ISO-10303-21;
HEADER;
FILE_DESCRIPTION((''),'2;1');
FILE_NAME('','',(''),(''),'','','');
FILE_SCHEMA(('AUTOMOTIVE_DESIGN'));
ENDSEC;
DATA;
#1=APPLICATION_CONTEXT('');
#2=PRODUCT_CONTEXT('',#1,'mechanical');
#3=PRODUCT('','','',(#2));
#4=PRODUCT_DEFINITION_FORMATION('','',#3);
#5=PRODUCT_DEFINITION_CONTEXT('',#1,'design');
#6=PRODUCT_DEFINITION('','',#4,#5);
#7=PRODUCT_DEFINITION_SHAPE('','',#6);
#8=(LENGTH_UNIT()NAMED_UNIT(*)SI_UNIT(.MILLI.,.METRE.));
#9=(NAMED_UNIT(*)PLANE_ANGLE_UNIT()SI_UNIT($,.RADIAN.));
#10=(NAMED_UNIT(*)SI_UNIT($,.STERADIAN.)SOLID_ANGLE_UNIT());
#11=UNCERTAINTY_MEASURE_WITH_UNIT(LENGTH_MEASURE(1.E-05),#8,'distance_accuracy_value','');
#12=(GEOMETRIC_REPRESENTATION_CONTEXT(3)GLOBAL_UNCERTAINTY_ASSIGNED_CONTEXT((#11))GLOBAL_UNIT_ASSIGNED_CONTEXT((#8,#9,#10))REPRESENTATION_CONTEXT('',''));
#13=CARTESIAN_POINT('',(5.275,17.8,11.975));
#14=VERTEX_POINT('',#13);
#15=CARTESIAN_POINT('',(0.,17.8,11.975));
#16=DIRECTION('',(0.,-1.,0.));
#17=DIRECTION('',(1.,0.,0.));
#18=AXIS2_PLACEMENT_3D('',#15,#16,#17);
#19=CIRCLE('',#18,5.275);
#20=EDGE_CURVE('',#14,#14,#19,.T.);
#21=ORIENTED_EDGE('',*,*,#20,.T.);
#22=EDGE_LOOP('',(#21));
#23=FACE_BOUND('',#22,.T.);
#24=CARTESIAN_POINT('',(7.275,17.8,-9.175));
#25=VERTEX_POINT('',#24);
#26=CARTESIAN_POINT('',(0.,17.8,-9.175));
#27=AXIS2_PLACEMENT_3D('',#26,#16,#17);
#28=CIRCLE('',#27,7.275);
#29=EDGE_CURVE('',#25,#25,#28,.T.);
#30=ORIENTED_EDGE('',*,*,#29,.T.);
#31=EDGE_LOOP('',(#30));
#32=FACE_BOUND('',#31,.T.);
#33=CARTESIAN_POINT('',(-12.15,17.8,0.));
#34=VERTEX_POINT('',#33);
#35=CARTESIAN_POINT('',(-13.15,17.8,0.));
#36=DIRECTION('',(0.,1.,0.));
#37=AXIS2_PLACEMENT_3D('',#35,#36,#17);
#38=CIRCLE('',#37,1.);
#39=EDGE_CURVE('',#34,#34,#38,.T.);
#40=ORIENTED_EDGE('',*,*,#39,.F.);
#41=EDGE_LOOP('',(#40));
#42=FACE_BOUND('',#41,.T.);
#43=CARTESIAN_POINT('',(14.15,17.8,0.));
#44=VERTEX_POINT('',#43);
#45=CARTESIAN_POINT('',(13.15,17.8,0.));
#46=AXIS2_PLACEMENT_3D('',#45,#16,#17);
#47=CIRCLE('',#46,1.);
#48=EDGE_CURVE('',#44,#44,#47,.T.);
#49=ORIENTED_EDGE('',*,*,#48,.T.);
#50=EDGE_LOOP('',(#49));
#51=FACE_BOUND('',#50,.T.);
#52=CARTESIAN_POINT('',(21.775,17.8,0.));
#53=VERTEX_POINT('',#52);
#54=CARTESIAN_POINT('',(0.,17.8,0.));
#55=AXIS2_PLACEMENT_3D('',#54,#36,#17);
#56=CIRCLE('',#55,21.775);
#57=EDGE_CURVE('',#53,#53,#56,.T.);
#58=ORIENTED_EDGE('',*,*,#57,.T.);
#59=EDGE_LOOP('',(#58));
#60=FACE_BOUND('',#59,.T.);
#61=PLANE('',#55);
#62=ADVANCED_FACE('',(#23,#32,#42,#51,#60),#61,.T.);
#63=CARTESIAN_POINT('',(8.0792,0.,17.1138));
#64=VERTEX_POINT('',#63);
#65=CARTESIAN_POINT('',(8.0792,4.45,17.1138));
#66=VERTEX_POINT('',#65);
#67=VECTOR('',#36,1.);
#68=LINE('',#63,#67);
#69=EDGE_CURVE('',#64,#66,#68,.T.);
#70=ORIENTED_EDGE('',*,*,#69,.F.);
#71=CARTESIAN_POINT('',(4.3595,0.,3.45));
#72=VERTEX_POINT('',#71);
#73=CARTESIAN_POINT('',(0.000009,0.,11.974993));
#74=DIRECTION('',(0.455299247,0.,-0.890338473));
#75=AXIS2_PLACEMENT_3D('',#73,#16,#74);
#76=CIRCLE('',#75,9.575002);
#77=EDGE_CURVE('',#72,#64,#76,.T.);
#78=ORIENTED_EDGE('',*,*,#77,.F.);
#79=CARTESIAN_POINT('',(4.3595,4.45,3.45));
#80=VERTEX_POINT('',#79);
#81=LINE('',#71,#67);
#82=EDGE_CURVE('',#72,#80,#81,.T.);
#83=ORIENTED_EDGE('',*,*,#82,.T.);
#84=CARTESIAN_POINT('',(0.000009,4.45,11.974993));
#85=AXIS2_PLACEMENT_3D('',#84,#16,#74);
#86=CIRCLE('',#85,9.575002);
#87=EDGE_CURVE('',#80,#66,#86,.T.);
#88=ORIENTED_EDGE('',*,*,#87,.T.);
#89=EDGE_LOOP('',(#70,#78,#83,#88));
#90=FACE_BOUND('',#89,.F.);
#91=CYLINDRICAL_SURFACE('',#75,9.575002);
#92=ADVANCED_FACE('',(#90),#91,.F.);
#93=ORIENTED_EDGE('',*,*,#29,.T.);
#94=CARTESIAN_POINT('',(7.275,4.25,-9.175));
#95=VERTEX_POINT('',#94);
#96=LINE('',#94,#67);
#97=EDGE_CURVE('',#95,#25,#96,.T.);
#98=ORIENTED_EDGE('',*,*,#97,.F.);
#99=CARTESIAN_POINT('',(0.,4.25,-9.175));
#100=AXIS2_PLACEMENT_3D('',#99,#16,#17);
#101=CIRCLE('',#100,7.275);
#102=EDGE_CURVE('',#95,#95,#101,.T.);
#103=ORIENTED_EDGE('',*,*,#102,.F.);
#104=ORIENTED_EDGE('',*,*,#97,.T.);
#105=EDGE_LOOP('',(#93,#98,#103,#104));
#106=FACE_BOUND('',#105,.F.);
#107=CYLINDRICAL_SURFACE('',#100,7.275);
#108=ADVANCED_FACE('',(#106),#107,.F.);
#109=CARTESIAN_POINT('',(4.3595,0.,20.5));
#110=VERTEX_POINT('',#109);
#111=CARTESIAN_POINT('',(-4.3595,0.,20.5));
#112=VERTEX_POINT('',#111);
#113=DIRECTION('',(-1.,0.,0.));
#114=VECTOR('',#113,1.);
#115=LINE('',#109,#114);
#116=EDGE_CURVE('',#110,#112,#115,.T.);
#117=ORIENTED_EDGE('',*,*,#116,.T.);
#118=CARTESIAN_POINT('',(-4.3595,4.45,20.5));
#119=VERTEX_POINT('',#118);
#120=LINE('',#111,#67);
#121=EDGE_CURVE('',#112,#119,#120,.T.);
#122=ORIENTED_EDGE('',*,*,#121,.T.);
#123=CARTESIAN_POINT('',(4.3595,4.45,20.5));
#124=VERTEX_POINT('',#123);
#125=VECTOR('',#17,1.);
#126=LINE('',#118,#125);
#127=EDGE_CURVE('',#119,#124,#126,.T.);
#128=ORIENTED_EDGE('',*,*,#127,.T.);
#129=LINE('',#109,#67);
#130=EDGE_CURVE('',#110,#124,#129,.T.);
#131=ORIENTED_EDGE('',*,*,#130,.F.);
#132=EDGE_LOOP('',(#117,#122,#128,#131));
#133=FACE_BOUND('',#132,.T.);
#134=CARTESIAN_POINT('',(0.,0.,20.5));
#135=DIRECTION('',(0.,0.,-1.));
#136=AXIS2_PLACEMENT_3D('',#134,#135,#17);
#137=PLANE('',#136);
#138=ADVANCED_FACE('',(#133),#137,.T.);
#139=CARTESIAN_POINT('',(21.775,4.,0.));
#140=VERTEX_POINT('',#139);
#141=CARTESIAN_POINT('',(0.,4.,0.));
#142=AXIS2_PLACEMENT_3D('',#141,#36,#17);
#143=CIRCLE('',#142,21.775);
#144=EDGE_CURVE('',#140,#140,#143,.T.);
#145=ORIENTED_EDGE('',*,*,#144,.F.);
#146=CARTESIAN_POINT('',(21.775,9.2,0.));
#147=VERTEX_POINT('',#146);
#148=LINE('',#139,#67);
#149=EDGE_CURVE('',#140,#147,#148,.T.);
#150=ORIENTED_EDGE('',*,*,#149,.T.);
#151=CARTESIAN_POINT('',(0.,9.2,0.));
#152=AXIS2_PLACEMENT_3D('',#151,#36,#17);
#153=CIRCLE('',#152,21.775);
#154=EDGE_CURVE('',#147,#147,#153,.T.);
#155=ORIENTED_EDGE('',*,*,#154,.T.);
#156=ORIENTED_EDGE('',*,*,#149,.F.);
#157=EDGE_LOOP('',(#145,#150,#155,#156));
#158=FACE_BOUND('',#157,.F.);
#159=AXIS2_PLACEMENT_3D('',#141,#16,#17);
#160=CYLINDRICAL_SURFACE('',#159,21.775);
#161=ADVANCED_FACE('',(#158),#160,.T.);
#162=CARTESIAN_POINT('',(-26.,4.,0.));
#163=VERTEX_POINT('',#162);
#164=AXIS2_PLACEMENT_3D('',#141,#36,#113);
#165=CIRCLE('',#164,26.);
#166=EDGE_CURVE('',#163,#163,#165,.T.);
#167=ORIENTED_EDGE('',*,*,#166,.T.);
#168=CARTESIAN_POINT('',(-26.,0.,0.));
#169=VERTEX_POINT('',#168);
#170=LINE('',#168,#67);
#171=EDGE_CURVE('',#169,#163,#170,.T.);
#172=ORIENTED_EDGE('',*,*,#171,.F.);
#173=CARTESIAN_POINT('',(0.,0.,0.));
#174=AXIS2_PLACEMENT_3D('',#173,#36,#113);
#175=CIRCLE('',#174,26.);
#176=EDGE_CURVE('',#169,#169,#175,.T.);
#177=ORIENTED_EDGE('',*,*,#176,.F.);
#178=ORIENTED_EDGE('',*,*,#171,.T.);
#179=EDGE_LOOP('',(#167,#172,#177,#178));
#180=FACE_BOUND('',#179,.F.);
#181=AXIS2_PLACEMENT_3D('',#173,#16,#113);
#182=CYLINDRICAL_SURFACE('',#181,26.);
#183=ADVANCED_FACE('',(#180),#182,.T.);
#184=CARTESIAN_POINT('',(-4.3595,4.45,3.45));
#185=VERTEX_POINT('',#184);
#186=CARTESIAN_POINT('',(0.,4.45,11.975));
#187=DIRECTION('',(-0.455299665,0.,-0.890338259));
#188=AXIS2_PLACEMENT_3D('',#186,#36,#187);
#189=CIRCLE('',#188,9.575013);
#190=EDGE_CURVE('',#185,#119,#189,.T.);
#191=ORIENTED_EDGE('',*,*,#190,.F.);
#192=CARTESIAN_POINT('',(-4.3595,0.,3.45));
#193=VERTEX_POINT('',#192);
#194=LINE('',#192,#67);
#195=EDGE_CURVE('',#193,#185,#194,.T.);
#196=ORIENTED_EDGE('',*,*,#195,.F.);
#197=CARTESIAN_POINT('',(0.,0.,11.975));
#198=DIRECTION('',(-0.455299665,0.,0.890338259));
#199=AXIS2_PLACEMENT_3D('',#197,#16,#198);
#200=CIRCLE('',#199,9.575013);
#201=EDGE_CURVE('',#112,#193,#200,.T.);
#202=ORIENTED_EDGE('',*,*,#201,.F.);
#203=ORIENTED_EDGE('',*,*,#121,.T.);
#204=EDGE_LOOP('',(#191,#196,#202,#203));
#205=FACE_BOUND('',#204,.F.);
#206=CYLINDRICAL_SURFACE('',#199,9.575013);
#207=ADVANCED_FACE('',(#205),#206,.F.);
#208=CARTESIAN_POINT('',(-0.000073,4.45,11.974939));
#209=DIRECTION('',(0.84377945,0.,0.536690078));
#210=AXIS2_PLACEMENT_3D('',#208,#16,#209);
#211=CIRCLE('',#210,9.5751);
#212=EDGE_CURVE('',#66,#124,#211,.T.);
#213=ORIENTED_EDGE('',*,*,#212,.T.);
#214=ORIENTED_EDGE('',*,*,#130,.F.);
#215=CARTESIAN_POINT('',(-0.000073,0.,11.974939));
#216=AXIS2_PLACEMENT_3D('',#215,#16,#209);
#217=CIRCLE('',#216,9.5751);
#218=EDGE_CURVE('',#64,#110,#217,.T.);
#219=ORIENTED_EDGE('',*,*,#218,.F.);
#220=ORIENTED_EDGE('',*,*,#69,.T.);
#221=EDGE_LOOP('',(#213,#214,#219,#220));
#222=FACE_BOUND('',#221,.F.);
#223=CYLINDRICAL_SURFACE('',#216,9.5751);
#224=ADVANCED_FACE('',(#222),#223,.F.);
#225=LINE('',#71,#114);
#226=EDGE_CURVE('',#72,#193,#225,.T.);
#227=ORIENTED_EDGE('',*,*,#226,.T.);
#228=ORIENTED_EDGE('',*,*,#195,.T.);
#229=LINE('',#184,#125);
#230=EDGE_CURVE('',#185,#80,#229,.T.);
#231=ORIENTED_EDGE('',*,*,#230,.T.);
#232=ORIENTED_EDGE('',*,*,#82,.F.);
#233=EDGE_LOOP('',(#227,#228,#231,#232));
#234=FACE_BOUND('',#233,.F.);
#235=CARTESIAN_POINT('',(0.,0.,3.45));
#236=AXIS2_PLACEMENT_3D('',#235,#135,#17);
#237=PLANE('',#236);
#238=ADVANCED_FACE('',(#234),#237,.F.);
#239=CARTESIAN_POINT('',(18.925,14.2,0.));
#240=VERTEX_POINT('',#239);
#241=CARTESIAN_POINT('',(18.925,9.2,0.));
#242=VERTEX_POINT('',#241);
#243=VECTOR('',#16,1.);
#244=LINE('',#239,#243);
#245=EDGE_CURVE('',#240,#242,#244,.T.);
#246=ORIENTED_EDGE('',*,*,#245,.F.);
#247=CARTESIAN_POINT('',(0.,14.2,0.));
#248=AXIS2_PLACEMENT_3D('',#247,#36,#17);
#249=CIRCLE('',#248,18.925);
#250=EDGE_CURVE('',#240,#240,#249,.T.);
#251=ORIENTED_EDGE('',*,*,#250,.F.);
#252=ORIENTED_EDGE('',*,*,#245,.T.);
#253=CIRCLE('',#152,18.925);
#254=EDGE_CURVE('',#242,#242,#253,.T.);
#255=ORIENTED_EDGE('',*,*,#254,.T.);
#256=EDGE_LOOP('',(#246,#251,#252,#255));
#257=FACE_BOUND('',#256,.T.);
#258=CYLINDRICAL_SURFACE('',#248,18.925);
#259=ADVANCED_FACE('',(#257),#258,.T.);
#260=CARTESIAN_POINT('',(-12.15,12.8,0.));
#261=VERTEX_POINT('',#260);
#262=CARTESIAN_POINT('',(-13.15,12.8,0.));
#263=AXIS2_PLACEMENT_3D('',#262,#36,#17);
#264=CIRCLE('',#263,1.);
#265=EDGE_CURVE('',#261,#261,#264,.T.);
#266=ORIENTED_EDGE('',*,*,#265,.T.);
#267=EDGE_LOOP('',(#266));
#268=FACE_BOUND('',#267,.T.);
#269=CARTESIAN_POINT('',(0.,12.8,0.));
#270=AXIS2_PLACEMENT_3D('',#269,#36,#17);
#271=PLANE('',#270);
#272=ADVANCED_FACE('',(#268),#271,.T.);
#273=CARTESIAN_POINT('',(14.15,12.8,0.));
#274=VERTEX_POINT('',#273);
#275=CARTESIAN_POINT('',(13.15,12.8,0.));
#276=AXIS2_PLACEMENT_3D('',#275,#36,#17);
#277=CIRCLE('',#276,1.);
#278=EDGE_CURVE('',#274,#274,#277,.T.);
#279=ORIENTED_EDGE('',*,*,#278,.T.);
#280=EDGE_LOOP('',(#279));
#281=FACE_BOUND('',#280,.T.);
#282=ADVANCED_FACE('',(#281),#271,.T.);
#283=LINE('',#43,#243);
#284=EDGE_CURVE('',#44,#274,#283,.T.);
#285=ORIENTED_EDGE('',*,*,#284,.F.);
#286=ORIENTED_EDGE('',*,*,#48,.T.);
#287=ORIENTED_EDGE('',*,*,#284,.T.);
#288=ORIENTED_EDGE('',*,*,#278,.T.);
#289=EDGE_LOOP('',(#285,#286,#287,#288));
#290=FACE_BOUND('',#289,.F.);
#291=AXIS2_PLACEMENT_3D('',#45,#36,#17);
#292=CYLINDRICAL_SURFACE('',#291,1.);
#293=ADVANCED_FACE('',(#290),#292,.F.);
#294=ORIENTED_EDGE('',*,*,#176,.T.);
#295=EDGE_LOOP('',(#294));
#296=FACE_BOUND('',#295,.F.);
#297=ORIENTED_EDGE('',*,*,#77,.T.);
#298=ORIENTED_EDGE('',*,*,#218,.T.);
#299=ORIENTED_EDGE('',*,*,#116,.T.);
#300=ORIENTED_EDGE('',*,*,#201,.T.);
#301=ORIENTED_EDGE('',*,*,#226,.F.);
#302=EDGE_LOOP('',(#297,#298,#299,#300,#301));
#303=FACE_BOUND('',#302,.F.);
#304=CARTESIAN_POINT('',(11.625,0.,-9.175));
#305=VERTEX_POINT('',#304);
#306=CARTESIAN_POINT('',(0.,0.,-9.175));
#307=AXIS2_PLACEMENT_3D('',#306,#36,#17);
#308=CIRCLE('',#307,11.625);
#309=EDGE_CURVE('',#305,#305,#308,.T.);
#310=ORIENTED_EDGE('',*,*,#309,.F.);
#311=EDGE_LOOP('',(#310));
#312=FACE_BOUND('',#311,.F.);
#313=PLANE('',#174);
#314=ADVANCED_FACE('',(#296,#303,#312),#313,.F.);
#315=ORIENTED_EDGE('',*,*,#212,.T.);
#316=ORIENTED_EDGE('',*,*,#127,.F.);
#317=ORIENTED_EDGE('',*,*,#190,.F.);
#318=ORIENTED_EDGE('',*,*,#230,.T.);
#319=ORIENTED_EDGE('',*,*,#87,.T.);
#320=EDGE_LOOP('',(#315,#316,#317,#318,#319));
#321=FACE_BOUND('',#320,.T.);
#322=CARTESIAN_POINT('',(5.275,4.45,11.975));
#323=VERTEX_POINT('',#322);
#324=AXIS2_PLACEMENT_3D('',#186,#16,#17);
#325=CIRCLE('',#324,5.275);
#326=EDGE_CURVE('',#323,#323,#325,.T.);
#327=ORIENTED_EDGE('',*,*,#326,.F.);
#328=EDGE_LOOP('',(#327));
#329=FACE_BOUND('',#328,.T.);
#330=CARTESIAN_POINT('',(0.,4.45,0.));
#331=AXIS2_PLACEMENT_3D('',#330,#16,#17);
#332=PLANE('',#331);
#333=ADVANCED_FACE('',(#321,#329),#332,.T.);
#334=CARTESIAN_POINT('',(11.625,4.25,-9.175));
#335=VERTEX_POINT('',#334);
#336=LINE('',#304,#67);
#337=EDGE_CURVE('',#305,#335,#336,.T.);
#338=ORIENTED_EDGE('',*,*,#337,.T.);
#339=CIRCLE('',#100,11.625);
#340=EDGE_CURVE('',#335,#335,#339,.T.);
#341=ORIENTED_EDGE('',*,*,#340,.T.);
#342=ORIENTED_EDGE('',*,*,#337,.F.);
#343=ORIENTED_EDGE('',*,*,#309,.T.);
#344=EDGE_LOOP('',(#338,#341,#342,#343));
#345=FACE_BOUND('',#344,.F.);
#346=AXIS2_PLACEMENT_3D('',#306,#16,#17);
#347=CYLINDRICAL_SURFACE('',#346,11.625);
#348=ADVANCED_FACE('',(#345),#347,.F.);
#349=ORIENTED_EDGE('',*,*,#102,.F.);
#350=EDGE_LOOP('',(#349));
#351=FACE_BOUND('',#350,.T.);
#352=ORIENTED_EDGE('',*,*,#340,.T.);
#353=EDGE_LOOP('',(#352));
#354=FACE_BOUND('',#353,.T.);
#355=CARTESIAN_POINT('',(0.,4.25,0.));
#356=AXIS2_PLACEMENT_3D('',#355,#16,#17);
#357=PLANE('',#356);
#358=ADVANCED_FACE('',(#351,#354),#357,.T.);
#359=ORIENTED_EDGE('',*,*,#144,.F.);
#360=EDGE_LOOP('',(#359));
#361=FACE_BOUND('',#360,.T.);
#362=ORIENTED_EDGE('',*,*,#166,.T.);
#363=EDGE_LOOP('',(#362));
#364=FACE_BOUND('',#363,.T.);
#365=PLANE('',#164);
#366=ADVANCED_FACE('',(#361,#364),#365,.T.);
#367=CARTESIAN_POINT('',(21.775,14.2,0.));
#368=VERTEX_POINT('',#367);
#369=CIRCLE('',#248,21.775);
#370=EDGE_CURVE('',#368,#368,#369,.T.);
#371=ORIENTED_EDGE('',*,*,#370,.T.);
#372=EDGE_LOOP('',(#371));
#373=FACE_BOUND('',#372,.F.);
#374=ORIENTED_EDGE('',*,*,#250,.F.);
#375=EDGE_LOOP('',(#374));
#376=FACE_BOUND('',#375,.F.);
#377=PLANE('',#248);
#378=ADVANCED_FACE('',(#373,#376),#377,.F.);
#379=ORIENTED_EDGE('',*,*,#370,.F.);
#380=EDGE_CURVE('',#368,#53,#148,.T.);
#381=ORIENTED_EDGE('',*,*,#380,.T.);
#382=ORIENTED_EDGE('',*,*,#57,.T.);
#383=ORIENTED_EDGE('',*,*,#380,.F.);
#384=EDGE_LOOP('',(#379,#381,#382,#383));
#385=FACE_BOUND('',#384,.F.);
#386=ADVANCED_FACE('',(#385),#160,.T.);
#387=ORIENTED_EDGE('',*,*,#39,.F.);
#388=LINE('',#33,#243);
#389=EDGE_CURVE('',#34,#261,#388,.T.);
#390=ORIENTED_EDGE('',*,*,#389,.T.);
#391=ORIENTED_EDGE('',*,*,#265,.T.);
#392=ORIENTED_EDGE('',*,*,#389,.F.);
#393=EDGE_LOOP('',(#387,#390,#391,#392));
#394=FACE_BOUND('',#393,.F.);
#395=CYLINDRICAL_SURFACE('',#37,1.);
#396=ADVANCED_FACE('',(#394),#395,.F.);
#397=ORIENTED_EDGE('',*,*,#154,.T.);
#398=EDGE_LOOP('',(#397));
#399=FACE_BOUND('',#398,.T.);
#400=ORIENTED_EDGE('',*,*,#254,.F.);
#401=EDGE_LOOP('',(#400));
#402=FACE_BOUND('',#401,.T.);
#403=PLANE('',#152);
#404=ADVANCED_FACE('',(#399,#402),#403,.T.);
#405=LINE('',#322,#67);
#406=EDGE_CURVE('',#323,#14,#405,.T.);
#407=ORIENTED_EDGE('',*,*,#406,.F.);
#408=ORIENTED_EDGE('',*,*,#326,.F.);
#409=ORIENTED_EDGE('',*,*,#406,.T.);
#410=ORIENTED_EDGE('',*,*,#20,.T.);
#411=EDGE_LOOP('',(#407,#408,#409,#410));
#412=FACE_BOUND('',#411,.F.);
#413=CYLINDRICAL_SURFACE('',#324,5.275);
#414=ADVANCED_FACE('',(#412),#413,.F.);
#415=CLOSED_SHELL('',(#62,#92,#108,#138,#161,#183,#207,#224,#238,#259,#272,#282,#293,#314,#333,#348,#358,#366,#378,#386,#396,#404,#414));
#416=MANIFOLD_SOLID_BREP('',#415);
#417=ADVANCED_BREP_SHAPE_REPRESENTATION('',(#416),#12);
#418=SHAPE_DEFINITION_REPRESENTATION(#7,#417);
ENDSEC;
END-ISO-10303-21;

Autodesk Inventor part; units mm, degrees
ref_plane "YZ Plane" through (0, 0, 0) normal (1, 0, 0) x (0, 1, 0)
ref_plane "XZ Plane" through (0, 0, 0) normal (0, 1, 0) x (-1, 0, 0)
sketch "Boceto1" plane through (0, 0, 0) normal (0, 1, 0) x (-1, 0, 0)
  circle A0 centre (0, 0) radius 26
  dimension "d0" = 52
extrude "Extrusión1" add sketch "Boceto1" along normal blind 4
sketch "Boceto2" plane through (0, 4, 0) normal (0, 1, 0) x (1, 0, 0)
  circle A0 centre (0, 0) radius 21.775
  dimension "d3" = 43.55
extrude "Extrusión2" add sketch "Boceto2" along normal blind 13.8
ref_plane "Plano de trabajo1" through (0, 14.2, 0) normal (0, 1, 0) x (1, 0, 0)
sketch "Boceto6" plane through (0, 14.2, 0) normal (0, 1, 0) x (1, 0, 0)
  circle A0 centre (0, 0) radius 21.775
  circle A1 centre (0, 0) radius 18.925
  dimension "d18" = 37.85
extrude "Extrusión6" cut sketch "Boceto6" against normal blind 5
sketch "Boceto7" plane through (0, 0, 0) normal (0, -1, 0) x (1, 0, 0)
  circle A0 centre (0, 0) radius 18.925 projected
  circle A1 centre (0, 0) radius 21.775 projected
  circle A2 centre (0, 0) radius 26 projected
  line L0 (0, 26) -> (0, 20.5)
  line L1 (0, 20.5) -> (0, 3.45)
  arc A3 (8.0792, 17.1138) -> (4.3595, 20.5) centre (0, 11.975) ccw
  line L2 (0, 3.45) -> (4.3595, 3.45)
  line L3 (0, 3.45) -> (-4.3595, 3.45)
  line L4 (0, 20.5) -> (4.3595, 20.5)
  line L5 (0, 20.5) -> (-4.3595, 20.5)
  arc A4 (4.3595, 3.45) -> (8.0792, 17.1138) centre (0, 11.975) ccw
  arc A5 (-4.3595, 3.45) -> (4.3595, 3.45) centre (0, 11.975) ccw
  arc A6 (4.3595, 20.5) -> (-4.3595, 20.5) centre (0, 11.975) ccw
  arc A7 (-4.3595, 20.5) -> (-4.3595, 3.45) centre (0, 11.975) ccw
  dimension "d21" = 5.5
  dimension "d22" = 17.05
  dimension "d23" = 19.15
extrude "Extrusión7" cut sketch "Boceto7" against normal blind 4.45 contours A4 L2 L1 A0 | A0 L1 L4 A3 | A7 L5 L1 A0 | A0 L1 L3 A7
sketch "Boceto8" plane through (0, 4.45, 0) normal (0, -1, 0) x (1, 0, 0)
  arc A0 (-4.3595, 20.5) -> (-4.3595, 3.45) centre (0, 11.975) ccw projected
  circle A1 centre (0, 11.975) radius 5.275
  point P0 (0, 0)
  dimension "d26" = 10.55
extrude "Extrusión8" cut sketch "Boceto8" against normal blind 15
sketch "Boceto9" plane through (0, 0, 0) normal (0, -1, 0) x (1, 0, 0)
  line L0 (4.3595, 3.45) -> (-4.3595, 3.45) projected
  line L1 (0, 3.45) -> (0, 2.45)
  line L2 (0, 2.45) -> (0, -20.8)
  circle A0 centre (0, -9.175) radius 11.625
  point P0 (0, 0)
  dimension "d29" = 1
  dimension "d30" = 23.25
extrude "Extrusión9" cut sketch "Boceto9" against normal blind 4.25
sketch "Boceto10" plane through (0, 4.25, -9.175) normal (0, -1, 0) x (1, 0, 0)
  circle A0 centre (0, 0) radius 7.275
  point P0 (0, 9.175)
  dimension "d33" = 14.55
extrude "Extrusión10" cut sketch "Boceto10" against normal up to surface (13.55 mm away)
thread "Rosca2" size "M15x1.5" class "6H" standard "ANSI Metric M Profile" full length
sketch "Boceto11" plane through (0, 17.8, 0) normal (0, 1, 0) x (1, 0, 0)
  line L0 (0, 0) -> (-13.15, 0)
  line L1 (0, 0) -> (13.15, 0)
  circle A0 centre (-13.15, 0) radius 1
  circle A1 centre (13.15, 0) radius 1
  dimension "d38" = 13.15
  dimension "d39" = 13.15
  dimension "d40" = 2
  dimension "d41" = 2
extrude "Extrusión11" cut sketch "Boceto11" against normal blind 5
properties part number "Pieza_sonar"
